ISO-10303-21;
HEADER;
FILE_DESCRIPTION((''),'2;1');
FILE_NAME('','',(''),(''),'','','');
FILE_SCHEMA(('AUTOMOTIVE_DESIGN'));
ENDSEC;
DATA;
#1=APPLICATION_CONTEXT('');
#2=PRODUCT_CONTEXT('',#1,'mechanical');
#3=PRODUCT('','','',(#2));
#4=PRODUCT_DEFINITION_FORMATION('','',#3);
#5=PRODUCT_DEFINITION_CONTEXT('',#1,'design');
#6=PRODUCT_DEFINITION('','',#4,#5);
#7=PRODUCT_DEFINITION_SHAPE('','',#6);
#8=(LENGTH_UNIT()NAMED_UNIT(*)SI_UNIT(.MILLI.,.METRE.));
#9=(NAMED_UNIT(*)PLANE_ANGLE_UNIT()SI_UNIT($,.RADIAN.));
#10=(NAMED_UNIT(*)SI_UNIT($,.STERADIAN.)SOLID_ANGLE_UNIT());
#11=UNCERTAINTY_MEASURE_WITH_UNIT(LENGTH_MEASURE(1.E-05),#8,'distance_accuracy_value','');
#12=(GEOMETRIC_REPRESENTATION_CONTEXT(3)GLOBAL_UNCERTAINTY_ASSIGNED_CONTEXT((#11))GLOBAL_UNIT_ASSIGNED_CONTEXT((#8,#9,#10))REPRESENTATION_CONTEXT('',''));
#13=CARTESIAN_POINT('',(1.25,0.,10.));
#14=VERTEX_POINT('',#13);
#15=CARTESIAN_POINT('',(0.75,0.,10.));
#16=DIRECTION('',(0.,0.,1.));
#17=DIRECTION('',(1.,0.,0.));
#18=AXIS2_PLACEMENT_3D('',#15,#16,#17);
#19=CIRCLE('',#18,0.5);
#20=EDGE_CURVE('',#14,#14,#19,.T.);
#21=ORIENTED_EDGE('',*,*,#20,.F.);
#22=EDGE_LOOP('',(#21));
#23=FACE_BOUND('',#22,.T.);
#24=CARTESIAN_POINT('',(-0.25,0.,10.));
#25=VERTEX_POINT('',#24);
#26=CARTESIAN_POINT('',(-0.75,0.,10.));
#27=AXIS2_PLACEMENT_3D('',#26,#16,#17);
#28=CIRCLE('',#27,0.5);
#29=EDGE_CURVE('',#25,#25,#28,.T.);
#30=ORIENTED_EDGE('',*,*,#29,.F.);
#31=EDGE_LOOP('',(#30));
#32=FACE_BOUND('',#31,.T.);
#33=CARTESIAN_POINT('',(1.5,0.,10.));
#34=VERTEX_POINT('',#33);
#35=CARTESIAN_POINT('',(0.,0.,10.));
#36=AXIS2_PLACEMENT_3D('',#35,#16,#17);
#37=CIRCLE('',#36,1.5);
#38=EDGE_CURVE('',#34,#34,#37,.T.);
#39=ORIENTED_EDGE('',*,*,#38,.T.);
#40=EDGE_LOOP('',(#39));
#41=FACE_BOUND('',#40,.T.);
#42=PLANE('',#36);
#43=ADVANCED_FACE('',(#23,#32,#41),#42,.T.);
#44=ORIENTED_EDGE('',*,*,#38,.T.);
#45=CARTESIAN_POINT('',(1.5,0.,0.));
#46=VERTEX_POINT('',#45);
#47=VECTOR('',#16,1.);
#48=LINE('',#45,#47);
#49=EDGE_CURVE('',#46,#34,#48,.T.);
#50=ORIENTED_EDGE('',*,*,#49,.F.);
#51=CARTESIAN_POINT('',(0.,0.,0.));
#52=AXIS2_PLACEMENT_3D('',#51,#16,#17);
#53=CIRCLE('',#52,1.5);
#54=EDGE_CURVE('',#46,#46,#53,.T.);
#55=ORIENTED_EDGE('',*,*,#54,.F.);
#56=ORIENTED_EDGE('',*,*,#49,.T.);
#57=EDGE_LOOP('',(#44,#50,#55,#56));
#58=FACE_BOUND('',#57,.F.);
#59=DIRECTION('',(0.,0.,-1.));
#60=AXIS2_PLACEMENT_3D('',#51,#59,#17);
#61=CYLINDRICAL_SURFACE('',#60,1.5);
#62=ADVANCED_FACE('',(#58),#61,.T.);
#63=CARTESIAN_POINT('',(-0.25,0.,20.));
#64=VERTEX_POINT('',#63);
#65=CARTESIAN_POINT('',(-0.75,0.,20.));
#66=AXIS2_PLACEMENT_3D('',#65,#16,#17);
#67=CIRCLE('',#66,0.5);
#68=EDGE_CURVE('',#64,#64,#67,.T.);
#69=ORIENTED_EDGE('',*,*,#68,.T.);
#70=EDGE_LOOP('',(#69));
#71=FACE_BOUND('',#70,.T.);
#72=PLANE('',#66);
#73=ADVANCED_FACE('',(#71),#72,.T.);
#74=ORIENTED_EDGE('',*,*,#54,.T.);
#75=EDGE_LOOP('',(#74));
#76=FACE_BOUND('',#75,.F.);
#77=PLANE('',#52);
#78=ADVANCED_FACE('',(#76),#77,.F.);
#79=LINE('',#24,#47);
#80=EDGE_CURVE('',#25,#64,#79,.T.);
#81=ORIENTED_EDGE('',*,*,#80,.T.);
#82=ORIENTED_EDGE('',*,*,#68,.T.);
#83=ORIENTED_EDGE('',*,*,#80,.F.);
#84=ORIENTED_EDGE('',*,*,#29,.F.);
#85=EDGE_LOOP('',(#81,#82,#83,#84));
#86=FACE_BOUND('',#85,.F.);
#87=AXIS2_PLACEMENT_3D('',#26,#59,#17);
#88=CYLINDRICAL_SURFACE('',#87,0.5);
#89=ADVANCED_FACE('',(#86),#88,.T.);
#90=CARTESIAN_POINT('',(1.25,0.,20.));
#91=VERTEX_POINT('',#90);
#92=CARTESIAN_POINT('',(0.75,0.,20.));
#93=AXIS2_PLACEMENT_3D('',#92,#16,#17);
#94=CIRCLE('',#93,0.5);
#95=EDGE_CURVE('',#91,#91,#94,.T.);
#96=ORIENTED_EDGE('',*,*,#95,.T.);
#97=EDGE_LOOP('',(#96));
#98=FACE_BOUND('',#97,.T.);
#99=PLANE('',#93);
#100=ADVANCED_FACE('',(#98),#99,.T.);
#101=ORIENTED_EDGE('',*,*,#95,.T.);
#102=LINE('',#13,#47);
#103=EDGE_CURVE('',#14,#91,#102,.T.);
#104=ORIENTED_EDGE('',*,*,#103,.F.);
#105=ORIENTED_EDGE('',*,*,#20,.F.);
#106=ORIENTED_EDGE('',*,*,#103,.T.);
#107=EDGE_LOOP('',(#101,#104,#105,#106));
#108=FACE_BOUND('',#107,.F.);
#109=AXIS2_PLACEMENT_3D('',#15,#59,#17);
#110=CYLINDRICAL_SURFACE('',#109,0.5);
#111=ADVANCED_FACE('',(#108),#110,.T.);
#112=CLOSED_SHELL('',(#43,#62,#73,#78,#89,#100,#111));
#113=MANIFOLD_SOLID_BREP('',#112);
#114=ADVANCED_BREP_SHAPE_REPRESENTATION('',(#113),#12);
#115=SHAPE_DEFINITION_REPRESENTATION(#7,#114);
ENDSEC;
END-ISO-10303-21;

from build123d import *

# Parameters (mm, degrees)
F0_R     = 1.5
F1_DEPTH = 10
F2_R     = 0.5
F3_DEPTH = 10


with BuildPart() as f1:
    # F0 (on Top) → F1 (new body)
    with BuildSketch(Plane.XY):
        Circle(F0_R)
    extrude(amount=F1_DEPTH)

    # F2 (on face) → F3 (join)
    with BuildSketch(Plane.XY.offset(10)):
        with Locations((-0.75, 0)):
            Circle(F2_R)
        with Locations((0.75, 0)):
            Circle(F2_R)
    extrude(amount=F3_DEPTH)


solid = f1.part
